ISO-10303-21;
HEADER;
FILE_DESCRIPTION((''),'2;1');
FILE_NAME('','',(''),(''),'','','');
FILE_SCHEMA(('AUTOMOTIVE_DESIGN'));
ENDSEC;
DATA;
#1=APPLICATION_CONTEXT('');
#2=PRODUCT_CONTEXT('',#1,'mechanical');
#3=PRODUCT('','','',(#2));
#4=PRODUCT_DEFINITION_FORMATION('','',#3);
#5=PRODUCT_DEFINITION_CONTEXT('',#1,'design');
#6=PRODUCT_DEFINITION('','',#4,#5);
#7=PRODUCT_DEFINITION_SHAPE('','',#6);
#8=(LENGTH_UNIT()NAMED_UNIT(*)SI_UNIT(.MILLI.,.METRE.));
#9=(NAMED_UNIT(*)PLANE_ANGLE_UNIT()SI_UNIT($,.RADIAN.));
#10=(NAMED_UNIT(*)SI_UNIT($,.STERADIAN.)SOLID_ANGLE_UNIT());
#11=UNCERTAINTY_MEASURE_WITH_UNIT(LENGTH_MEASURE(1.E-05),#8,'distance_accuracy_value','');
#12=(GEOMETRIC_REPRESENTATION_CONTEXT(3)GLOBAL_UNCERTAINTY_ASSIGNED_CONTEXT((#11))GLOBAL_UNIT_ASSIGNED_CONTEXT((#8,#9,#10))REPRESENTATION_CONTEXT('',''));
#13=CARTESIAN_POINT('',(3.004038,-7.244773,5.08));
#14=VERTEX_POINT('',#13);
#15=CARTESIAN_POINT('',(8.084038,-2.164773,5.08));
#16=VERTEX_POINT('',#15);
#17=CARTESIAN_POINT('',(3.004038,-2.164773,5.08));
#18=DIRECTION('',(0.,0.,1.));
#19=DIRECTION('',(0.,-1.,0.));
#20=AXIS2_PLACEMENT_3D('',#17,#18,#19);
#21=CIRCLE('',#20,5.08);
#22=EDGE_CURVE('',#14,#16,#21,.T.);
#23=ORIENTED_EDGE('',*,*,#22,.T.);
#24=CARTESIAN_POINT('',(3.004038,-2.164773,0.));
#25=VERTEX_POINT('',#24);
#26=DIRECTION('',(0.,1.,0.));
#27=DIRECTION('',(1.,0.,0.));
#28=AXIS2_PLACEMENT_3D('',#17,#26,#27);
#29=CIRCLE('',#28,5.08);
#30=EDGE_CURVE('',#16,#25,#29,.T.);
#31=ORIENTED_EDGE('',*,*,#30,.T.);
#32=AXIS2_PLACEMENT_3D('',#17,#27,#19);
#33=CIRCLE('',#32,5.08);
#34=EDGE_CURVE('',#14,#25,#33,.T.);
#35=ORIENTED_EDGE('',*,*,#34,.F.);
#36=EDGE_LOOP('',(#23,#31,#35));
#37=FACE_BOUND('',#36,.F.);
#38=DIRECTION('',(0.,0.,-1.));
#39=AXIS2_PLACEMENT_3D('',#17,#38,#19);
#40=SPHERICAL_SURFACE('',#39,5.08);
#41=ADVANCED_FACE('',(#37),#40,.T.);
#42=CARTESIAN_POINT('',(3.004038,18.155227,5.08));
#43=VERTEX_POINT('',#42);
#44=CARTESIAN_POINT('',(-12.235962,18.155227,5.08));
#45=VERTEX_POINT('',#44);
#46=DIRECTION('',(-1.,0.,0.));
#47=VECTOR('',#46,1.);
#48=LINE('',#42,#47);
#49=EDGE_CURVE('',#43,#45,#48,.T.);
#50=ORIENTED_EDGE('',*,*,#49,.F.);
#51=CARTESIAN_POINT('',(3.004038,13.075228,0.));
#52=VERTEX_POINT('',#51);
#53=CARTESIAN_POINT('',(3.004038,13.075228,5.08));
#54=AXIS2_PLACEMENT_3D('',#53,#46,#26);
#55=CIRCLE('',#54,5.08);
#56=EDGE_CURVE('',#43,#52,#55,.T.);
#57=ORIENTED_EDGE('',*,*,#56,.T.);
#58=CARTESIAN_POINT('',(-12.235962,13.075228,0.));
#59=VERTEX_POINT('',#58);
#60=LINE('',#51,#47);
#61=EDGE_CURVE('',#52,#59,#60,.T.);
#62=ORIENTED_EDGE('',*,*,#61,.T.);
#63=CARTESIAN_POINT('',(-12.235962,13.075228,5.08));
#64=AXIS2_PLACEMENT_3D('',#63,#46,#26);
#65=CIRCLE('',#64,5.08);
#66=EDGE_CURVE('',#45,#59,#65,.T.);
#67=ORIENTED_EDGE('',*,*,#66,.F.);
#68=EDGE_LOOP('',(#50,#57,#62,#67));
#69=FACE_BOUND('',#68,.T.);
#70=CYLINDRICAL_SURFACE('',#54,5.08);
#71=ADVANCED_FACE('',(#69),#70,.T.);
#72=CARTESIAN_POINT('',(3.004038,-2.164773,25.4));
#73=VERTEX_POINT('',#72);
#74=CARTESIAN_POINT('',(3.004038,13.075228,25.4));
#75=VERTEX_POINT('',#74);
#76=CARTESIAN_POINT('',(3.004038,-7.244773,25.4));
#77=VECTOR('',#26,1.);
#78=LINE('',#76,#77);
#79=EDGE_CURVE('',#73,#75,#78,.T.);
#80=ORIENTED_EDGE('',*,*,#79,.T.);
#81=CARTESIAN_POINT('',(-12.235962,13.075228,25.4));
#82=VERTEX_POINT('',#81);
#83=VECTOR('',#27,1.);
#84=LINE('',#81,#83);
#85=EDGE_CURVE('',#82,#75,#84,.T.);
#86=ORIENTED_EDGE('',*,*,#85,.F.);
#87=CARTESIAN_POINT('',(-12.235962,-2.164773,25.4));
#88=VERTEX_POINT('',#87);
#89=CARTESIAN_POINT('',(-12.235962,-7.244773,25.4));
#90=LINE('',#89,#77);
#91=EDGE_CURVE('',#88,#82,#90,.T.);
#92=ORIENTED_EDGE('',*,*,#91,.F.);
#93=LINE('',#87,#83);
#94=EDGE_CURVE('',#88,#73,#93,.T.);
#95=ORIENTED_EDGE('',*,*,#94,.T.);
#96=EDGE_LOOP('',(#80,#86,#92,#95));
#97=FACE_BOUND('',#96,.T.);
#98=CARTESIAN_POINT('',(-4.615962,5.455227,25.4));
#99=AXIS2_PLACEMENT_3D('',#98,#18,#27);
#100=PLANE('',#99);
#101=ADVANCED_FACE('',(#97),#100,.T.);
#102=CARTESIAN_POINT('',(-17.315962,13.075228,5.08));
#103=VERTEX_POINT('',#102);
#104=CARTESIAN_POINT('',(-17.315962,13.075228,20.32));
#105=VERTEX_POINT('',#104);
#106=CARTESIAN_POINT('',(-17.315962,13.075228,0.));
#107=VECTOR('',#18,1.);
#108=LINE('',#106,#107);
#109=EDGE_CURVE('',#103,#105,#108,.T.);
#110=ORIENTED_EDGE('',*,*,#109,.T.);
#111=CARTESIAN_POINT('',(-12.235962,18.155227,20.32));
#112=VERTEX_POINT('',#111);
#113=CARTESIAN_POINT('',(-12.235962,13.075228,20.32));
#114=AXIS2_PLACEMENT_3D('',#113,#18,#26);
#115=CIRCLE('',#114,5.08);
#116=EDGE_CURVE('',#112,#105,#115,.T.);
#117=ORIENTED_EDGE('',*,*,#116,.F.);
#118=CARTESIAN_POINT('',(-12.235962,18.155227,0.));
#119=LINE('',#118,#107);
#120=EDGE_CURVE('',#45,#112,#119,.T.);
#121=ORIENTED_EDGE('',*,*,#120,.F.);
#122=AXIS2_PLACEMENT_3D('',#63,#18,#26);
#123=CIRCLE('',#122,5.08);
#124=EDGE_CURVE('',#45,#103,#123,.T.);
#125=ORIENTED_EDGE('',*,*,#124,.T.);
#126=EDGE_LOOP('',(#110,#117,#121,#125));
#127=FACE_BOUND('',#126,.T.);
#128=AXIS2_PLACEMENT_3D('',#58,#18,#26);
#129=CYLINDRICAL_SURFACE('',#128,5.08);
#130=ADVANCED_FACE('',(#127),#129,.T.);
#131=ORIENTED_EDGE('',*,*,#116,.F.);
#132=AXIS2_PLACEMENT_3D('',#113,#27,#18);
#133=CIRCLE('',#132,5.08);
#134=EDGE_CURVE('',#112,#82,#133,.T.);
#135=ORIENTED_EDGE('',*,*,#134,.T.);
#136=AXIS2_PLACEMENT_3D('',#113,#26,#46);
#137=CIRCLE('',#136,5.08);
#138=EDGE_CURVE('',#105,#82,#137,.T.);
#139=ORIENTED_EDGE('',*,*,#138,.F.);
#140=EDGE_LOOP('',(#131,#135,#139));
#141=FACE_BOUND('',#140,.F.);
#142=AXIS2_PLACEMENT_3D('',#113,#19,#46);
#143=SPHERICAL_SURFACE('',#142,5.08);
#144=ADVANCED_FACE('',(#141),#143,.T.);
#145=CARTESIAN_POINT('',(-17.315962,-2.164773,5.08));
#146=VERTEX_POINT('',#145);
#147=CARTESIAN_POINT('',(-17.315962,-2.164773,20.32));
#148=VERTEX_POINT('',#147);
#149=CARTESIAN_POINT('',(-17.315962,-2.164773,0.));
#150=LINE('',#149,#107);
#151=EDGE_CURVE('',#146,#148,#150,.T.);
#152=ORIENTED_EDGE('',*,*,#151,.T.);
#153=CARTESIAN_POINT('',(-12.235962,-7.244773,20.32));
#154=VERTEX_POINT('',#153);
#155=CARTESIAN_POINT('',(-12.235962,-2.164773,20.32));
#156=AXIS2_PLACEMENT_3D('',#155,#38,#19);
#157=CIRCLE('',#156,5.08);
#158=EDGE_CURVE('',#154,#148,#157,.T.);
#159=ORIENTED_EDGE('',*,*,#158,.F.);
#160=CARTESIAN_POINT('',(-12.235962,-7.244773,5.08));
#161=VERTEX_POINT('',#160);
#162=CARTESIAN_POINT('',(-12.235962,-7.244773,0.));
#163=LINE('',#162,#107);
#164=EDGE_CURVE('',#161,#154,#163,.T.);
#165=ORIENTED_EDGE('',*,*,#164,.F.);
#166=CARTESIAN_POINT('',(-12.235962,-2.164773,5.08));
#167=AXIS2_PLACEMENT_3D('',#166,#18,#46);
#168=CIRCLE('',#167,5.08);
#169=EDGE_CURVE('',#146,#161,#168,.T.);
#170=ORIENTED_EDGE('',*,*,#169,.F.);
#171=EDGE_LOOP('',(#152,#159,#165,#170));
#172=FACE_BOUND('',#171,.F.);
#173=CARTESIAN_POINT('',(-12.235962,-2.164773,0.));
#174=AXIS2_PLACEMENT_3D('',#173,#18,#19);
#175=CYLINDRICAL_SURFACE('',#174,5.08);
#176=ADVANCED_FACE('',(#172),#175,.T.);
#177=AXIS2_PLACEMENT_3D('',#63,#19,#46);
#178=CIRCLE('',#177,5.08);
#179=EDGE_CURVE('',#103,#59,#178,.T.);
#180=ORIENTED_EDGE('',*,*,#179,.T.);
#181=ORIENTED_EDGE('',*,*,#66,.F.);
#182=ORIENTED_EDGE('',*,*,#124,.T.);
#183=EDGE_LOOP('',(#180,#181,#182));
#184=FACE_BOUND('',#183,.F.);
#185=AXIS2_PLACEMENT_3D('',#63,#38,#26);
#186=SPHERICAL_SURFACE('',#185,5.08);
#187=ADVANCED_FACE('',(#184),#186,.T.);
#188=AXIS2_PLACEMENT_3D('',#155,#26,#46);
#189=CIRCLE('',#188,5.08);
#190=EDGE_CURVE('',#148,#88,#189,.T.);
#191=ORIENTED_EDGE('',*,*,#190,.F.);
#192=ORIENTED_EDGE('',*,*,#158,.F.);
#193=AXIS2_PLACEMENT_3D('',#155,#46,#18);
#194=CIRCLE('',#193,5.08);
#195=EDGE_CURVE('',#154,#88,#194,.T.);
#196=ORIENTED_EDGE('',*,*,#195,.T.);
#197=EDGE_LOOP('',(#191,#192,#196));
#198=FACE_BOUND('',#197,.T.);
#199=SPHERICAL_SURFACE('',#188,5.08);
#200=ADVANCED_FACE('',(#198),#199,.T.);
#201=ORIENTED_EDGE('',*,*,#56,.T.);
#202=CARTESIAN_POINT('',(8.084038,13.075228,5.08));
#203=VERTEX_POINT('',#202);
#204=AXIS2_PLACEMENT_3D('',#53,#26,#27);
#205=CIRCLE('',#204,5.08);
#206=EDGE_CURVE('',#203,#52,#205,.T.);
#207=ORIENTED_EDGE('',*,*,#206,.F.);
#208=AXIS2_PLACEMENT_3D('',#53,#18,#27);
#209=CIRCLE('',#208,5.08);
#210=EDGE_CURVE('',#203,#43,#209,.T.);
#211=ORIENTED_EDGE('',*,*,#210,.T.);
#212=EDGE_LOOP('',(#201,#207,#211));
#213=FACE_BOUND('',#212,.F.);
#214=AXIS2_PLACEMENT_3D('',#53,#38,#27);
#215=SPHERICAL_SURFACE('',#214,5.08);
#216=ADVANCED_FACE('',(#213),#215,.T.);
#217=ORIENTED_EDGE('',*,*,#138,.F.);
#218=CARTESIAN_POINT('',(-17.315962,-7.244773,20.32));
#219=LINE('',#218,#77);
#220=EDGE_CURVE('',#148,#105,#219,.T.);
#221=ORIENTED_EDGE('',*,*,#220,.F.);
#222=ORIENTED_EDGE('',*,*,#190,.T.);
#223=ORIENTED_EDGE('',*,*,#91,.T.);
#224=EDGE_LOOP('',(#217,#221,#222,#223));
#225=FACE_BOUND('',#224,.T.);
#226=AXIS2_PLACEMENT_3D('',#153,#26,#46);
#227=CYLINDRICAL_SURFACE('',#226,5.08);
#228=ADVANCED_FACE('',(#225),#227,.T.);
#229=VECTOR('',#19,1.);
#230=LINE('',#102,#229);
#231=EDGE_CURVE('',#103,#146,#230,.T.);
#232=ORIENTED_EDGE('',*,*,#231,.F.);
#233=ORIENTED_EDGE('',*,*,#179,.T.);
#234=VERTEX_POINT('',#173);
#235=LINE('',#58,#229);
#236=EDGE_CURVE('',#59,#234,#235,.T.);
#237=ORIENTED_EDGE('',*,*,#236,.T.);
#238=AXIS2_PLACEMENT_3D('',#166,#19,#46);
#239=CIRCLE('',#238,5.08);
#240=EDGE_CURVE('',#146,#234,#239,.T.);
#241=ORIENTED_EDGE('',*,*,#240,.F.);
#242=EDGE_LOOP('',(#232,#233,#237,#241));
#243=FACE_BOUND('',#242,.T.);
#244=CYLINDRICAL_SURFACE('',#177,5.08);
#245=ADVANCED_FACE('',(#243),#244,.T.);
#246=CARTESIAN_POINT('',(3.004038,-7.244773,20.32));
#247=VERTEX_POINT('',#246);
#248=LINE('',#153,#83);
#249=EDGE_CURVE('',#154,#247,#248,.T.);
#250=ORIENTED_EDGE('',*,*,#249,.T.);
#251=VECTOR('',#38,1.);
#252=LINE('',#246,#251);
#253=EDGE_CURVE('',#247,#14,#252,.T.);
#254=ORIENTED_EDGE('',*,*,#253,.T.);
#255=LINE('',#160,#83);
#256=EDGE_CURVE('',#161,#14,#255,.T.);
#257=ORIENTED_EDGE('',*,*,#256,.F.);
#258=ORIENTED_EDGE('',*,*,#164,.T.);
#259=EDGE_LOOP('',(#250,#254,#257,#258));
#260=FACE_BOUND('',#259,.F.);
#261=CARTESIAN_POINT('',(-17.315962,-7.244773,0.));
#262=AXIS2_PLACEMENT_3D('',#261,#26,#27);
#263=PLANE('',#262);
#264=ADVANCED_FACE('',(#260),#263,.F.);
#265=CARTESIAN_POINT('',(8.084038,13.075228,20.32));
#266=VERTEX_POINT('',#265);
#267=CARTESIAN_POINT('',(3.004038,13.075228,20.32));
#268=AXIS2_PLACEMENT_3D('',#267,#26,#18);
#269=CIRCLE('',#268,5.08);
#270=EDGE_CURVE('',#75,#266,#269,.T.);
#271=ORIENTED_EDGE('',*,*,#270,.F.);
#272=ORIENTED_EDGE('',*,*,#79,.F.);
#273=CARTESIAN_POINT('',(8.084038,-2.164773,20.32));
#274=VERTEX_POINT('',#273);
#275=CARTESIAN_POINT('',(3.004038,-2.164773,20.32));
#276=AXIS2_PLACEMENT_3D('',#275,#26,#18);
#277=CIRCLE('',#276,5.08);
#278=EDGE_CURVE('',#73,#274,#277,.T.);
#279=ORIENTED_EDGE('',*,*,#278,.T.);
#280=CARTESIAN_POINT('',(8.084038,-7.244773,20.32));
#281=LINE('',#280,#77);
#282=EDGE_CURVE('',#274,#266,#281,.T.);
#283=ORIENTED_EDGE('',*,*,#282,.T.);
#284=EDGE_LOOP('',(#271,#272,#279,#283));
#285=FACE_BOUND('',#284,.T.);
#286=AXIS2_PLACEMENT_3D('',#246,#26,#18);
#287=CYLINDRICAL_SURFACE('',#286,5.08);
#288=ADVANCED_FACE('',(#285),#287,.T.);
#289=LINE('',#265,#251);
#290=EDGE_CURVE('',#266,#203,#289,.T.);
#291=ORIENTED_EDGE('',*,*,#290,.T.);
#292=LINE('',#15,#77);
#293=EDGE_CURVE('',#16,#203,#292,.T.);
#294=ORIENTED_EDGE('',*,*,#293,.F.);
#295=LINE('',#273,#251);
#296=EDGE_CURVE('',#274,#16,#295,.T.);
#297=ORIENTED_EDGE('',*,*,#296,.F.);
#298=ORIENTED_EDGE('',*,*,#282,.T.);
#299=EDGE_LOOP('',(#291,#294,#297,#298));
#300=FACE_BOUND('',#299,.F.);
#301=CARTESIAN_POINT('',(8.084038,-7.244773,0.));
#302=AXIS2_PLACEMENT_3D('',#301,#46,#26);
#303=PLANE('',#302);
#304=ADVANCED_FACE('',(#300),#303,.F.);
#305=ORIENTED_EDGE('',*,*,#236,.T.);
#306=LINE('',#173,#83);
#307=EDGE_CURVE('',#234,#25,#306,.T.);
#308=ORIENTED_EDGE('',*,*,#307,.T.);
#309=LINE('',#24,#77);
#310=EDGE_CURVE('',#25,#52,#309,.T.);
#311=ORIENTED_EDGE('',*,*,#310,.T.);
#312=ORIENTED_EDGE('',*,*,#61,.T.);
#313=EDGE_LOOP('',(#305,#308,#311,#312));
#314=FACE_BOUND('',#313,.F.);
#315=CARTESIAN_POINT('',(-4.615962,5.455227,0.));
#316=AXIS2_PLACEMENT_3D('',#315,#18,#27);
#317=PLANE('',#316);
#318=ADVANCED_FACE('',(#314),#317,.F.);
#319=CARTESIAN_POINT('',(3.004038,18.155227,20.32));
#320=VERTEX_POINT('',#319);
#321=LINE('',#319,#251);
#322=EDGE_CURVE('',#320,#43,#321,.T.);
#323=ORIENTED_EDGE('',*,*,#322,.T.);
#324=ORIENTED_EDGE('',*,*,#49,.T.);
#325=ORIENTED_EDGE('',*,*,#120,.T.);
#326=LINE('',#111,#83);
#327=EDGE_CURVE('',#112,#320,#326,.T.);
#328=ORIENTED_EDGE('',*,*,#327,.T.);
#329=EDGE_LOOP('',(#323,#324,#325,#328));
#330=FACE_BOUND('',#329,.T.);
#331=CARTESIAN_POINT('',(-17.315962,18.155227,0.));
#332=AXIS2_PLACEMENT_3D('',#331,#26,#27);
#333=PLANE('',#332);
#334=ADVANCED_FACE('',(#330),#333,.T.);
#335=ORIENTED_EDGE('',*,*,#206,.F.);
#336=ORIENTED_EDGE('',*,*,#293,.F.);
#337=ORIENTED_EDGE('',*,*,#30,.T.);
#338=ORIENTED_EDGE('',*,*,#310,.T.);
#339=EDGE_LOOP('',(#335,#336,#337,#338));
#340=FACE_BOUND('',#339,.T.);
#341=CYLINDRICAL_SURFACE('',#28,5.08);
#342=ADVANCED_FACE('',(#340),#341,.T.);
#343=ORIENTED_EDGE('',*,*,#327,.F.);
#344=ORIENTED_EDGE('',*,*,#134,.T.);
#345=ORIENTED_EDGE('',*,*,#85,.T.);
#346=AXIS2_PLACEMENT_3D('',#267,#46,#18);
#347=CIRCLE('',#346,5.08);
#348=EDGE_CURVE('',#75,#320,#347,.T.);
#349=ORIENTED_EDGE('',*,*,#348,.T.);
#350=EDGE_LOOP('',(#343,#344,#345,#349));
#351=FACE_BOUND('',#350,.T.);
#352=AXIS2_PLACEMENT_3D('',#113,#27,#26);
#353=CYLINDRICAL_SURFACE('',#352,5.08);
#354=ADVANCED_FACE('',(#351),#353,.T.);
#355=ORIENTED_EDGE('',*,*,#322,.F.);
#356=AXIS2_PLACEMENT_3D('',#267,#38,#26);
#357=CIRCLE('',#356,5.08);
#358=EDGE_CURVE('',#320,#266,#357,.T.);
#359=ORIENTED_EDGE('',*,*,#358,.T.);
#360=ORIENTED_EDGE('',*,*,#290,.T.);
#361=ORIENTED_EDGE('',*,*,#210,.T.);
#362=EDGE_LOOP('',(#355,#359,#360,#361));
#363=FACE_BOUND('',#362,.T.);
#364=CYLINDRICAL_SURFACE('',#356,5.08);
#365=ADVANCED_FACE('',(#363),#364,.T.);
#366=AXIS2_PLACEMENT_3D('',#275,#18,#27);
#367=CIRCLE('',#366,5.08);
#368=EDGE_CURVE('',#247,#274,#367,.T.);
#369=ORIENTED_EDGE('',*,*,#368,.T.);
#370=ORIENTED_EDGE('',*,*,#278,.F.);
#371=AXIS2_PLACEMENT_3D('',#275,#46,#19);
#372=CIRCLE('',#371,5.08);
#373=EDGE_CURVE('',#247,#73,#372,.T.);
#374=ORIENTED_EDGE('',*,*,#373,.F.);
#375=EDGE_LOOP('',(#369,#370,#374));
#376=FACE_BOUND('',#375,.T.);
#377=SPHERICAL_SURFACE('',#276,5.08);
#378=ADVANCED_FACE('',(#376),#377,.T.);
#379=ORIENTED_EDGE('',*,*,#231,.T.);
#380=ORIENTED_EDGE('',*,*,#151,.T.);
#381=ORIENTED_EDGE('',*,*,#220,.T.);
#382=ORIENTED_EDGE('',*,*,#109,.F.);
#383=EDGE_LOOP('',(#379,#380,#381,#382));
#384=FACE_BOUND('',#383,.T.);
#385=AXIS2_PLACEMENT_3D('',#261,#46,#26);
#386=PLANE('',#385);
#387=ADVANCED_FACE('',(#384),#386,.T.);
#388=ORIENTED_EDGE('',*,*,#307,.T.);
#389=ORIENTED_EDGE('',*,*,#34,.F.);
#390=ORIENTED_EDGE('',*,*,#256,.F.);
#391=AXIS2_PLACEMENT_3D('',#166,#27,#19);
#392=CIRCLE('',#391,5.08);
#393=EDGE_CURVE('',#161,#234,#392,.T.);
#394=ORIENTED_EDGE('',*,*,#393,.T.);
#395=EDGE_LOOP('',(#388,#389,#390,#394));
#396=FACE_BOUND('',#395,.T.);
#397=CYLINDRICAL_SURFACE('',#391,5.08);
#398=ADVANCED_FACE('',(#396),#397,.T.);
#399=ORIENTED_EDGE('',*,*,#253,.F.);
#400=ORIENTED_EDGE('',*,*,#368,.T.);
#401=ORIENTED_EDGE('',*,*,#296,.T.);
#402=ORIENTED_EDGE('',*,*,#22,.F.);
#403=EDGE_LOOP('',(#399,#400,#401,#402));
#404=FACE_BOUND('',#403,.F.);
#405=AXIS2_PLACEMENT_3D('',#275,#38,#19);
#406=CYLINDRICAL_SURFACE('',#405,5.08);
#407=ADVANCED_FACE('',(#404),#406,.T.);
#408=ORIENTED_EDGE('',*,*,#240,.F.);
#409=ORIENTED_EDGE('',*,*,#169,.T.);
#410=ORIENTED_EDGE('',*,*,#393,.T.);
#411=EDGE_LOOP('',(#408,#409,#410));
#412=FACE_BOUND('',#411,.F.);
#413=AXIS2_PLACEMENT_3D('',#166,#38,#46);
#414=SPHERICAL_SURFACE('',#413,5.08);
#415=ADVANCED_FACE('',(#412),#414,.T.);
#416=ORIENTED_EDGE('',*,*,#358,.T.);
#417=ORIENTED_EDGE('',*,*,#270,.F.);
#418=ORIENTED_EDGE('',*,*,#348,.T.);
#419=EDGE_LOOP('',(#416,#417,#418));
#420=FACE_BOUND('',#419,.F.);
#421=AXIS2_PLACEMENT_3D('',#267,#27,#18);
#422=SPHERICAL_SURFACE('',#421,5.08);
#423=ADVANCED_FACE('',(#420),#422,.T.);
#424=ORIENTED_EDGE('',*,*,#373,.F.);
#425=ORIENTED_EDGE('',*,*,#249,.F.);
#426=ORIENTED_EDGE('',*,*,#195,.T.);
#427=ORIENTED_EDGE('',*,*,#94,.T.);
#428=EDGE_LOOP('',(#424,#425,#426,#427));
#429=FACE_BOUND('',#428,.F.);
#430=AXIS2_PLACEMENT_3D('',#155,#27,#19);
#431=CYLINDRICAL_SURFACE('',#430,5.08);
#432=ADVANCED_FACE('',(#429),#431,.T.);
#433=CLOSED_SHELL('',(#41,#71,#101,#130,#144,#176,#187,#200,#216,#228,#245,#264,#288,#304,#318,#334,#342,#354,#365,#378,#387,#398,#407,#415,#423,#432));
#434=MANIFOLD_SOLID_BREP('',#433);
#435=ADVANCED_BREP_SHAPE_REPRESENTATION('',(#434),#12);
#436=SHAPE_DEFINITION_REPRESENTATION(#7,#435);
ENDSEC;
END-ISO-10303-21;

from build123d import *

# Parameters (mm, degrees)
F0_W     = 25.4
F0_H     = 25.400001
F1_DEPTH = 25.4
F2_R     = 5.08
F3_R     = 5.08
F4_R     = 5.08
F5_R     = 5.08
F6_R     = 5.08


with BuildPart() as f1:
    # F0 (on Top) → F1 (new body)
    with BuildSketch(Plane.XY):
        with Locations((-4.615962, 5.455227)):
            Rectangle(F0_W, F0_H)
    extrude(amount=F1_DEPTH)

    # F2
    f2_edges = [f1.edges().sort_by_distance(p)[0] for p in [
        (-17.315962, 5.455228, 25.4),
    ]]
    fillet(f2_edges, radius=F2_R)

    # F3
    f3_edges = [f1.edges().sort_by_distance(p)[0] for p in [
        (-2.075962, 18.155228, 25.4),
    ]]
    fillet(f3_edges, radius=F3_R)

    # F4
    f4_edges = [f1.edges().sort_by_distance(p)[0] for p in [
        (8.084038, 2.915228, 25.4),
    ]]
    fillet(f4_edges, radius=F4_R)

    # F5
    f5_edges = [f1.edges().sort_by_distance(p)[0] for p in [
        (-4.615962, -7.244773, 25.4),
    ]]
    fillet(f5_edges, radius=F5_R)

    # F6
    f6_edges = [f1.edges().sort_by_distance(p)[0] for p in [
        (-4.615962, -7.244773, 0),
    ]]
    fillet(f6_edges, radius=F6_R)


solid = f1.part
